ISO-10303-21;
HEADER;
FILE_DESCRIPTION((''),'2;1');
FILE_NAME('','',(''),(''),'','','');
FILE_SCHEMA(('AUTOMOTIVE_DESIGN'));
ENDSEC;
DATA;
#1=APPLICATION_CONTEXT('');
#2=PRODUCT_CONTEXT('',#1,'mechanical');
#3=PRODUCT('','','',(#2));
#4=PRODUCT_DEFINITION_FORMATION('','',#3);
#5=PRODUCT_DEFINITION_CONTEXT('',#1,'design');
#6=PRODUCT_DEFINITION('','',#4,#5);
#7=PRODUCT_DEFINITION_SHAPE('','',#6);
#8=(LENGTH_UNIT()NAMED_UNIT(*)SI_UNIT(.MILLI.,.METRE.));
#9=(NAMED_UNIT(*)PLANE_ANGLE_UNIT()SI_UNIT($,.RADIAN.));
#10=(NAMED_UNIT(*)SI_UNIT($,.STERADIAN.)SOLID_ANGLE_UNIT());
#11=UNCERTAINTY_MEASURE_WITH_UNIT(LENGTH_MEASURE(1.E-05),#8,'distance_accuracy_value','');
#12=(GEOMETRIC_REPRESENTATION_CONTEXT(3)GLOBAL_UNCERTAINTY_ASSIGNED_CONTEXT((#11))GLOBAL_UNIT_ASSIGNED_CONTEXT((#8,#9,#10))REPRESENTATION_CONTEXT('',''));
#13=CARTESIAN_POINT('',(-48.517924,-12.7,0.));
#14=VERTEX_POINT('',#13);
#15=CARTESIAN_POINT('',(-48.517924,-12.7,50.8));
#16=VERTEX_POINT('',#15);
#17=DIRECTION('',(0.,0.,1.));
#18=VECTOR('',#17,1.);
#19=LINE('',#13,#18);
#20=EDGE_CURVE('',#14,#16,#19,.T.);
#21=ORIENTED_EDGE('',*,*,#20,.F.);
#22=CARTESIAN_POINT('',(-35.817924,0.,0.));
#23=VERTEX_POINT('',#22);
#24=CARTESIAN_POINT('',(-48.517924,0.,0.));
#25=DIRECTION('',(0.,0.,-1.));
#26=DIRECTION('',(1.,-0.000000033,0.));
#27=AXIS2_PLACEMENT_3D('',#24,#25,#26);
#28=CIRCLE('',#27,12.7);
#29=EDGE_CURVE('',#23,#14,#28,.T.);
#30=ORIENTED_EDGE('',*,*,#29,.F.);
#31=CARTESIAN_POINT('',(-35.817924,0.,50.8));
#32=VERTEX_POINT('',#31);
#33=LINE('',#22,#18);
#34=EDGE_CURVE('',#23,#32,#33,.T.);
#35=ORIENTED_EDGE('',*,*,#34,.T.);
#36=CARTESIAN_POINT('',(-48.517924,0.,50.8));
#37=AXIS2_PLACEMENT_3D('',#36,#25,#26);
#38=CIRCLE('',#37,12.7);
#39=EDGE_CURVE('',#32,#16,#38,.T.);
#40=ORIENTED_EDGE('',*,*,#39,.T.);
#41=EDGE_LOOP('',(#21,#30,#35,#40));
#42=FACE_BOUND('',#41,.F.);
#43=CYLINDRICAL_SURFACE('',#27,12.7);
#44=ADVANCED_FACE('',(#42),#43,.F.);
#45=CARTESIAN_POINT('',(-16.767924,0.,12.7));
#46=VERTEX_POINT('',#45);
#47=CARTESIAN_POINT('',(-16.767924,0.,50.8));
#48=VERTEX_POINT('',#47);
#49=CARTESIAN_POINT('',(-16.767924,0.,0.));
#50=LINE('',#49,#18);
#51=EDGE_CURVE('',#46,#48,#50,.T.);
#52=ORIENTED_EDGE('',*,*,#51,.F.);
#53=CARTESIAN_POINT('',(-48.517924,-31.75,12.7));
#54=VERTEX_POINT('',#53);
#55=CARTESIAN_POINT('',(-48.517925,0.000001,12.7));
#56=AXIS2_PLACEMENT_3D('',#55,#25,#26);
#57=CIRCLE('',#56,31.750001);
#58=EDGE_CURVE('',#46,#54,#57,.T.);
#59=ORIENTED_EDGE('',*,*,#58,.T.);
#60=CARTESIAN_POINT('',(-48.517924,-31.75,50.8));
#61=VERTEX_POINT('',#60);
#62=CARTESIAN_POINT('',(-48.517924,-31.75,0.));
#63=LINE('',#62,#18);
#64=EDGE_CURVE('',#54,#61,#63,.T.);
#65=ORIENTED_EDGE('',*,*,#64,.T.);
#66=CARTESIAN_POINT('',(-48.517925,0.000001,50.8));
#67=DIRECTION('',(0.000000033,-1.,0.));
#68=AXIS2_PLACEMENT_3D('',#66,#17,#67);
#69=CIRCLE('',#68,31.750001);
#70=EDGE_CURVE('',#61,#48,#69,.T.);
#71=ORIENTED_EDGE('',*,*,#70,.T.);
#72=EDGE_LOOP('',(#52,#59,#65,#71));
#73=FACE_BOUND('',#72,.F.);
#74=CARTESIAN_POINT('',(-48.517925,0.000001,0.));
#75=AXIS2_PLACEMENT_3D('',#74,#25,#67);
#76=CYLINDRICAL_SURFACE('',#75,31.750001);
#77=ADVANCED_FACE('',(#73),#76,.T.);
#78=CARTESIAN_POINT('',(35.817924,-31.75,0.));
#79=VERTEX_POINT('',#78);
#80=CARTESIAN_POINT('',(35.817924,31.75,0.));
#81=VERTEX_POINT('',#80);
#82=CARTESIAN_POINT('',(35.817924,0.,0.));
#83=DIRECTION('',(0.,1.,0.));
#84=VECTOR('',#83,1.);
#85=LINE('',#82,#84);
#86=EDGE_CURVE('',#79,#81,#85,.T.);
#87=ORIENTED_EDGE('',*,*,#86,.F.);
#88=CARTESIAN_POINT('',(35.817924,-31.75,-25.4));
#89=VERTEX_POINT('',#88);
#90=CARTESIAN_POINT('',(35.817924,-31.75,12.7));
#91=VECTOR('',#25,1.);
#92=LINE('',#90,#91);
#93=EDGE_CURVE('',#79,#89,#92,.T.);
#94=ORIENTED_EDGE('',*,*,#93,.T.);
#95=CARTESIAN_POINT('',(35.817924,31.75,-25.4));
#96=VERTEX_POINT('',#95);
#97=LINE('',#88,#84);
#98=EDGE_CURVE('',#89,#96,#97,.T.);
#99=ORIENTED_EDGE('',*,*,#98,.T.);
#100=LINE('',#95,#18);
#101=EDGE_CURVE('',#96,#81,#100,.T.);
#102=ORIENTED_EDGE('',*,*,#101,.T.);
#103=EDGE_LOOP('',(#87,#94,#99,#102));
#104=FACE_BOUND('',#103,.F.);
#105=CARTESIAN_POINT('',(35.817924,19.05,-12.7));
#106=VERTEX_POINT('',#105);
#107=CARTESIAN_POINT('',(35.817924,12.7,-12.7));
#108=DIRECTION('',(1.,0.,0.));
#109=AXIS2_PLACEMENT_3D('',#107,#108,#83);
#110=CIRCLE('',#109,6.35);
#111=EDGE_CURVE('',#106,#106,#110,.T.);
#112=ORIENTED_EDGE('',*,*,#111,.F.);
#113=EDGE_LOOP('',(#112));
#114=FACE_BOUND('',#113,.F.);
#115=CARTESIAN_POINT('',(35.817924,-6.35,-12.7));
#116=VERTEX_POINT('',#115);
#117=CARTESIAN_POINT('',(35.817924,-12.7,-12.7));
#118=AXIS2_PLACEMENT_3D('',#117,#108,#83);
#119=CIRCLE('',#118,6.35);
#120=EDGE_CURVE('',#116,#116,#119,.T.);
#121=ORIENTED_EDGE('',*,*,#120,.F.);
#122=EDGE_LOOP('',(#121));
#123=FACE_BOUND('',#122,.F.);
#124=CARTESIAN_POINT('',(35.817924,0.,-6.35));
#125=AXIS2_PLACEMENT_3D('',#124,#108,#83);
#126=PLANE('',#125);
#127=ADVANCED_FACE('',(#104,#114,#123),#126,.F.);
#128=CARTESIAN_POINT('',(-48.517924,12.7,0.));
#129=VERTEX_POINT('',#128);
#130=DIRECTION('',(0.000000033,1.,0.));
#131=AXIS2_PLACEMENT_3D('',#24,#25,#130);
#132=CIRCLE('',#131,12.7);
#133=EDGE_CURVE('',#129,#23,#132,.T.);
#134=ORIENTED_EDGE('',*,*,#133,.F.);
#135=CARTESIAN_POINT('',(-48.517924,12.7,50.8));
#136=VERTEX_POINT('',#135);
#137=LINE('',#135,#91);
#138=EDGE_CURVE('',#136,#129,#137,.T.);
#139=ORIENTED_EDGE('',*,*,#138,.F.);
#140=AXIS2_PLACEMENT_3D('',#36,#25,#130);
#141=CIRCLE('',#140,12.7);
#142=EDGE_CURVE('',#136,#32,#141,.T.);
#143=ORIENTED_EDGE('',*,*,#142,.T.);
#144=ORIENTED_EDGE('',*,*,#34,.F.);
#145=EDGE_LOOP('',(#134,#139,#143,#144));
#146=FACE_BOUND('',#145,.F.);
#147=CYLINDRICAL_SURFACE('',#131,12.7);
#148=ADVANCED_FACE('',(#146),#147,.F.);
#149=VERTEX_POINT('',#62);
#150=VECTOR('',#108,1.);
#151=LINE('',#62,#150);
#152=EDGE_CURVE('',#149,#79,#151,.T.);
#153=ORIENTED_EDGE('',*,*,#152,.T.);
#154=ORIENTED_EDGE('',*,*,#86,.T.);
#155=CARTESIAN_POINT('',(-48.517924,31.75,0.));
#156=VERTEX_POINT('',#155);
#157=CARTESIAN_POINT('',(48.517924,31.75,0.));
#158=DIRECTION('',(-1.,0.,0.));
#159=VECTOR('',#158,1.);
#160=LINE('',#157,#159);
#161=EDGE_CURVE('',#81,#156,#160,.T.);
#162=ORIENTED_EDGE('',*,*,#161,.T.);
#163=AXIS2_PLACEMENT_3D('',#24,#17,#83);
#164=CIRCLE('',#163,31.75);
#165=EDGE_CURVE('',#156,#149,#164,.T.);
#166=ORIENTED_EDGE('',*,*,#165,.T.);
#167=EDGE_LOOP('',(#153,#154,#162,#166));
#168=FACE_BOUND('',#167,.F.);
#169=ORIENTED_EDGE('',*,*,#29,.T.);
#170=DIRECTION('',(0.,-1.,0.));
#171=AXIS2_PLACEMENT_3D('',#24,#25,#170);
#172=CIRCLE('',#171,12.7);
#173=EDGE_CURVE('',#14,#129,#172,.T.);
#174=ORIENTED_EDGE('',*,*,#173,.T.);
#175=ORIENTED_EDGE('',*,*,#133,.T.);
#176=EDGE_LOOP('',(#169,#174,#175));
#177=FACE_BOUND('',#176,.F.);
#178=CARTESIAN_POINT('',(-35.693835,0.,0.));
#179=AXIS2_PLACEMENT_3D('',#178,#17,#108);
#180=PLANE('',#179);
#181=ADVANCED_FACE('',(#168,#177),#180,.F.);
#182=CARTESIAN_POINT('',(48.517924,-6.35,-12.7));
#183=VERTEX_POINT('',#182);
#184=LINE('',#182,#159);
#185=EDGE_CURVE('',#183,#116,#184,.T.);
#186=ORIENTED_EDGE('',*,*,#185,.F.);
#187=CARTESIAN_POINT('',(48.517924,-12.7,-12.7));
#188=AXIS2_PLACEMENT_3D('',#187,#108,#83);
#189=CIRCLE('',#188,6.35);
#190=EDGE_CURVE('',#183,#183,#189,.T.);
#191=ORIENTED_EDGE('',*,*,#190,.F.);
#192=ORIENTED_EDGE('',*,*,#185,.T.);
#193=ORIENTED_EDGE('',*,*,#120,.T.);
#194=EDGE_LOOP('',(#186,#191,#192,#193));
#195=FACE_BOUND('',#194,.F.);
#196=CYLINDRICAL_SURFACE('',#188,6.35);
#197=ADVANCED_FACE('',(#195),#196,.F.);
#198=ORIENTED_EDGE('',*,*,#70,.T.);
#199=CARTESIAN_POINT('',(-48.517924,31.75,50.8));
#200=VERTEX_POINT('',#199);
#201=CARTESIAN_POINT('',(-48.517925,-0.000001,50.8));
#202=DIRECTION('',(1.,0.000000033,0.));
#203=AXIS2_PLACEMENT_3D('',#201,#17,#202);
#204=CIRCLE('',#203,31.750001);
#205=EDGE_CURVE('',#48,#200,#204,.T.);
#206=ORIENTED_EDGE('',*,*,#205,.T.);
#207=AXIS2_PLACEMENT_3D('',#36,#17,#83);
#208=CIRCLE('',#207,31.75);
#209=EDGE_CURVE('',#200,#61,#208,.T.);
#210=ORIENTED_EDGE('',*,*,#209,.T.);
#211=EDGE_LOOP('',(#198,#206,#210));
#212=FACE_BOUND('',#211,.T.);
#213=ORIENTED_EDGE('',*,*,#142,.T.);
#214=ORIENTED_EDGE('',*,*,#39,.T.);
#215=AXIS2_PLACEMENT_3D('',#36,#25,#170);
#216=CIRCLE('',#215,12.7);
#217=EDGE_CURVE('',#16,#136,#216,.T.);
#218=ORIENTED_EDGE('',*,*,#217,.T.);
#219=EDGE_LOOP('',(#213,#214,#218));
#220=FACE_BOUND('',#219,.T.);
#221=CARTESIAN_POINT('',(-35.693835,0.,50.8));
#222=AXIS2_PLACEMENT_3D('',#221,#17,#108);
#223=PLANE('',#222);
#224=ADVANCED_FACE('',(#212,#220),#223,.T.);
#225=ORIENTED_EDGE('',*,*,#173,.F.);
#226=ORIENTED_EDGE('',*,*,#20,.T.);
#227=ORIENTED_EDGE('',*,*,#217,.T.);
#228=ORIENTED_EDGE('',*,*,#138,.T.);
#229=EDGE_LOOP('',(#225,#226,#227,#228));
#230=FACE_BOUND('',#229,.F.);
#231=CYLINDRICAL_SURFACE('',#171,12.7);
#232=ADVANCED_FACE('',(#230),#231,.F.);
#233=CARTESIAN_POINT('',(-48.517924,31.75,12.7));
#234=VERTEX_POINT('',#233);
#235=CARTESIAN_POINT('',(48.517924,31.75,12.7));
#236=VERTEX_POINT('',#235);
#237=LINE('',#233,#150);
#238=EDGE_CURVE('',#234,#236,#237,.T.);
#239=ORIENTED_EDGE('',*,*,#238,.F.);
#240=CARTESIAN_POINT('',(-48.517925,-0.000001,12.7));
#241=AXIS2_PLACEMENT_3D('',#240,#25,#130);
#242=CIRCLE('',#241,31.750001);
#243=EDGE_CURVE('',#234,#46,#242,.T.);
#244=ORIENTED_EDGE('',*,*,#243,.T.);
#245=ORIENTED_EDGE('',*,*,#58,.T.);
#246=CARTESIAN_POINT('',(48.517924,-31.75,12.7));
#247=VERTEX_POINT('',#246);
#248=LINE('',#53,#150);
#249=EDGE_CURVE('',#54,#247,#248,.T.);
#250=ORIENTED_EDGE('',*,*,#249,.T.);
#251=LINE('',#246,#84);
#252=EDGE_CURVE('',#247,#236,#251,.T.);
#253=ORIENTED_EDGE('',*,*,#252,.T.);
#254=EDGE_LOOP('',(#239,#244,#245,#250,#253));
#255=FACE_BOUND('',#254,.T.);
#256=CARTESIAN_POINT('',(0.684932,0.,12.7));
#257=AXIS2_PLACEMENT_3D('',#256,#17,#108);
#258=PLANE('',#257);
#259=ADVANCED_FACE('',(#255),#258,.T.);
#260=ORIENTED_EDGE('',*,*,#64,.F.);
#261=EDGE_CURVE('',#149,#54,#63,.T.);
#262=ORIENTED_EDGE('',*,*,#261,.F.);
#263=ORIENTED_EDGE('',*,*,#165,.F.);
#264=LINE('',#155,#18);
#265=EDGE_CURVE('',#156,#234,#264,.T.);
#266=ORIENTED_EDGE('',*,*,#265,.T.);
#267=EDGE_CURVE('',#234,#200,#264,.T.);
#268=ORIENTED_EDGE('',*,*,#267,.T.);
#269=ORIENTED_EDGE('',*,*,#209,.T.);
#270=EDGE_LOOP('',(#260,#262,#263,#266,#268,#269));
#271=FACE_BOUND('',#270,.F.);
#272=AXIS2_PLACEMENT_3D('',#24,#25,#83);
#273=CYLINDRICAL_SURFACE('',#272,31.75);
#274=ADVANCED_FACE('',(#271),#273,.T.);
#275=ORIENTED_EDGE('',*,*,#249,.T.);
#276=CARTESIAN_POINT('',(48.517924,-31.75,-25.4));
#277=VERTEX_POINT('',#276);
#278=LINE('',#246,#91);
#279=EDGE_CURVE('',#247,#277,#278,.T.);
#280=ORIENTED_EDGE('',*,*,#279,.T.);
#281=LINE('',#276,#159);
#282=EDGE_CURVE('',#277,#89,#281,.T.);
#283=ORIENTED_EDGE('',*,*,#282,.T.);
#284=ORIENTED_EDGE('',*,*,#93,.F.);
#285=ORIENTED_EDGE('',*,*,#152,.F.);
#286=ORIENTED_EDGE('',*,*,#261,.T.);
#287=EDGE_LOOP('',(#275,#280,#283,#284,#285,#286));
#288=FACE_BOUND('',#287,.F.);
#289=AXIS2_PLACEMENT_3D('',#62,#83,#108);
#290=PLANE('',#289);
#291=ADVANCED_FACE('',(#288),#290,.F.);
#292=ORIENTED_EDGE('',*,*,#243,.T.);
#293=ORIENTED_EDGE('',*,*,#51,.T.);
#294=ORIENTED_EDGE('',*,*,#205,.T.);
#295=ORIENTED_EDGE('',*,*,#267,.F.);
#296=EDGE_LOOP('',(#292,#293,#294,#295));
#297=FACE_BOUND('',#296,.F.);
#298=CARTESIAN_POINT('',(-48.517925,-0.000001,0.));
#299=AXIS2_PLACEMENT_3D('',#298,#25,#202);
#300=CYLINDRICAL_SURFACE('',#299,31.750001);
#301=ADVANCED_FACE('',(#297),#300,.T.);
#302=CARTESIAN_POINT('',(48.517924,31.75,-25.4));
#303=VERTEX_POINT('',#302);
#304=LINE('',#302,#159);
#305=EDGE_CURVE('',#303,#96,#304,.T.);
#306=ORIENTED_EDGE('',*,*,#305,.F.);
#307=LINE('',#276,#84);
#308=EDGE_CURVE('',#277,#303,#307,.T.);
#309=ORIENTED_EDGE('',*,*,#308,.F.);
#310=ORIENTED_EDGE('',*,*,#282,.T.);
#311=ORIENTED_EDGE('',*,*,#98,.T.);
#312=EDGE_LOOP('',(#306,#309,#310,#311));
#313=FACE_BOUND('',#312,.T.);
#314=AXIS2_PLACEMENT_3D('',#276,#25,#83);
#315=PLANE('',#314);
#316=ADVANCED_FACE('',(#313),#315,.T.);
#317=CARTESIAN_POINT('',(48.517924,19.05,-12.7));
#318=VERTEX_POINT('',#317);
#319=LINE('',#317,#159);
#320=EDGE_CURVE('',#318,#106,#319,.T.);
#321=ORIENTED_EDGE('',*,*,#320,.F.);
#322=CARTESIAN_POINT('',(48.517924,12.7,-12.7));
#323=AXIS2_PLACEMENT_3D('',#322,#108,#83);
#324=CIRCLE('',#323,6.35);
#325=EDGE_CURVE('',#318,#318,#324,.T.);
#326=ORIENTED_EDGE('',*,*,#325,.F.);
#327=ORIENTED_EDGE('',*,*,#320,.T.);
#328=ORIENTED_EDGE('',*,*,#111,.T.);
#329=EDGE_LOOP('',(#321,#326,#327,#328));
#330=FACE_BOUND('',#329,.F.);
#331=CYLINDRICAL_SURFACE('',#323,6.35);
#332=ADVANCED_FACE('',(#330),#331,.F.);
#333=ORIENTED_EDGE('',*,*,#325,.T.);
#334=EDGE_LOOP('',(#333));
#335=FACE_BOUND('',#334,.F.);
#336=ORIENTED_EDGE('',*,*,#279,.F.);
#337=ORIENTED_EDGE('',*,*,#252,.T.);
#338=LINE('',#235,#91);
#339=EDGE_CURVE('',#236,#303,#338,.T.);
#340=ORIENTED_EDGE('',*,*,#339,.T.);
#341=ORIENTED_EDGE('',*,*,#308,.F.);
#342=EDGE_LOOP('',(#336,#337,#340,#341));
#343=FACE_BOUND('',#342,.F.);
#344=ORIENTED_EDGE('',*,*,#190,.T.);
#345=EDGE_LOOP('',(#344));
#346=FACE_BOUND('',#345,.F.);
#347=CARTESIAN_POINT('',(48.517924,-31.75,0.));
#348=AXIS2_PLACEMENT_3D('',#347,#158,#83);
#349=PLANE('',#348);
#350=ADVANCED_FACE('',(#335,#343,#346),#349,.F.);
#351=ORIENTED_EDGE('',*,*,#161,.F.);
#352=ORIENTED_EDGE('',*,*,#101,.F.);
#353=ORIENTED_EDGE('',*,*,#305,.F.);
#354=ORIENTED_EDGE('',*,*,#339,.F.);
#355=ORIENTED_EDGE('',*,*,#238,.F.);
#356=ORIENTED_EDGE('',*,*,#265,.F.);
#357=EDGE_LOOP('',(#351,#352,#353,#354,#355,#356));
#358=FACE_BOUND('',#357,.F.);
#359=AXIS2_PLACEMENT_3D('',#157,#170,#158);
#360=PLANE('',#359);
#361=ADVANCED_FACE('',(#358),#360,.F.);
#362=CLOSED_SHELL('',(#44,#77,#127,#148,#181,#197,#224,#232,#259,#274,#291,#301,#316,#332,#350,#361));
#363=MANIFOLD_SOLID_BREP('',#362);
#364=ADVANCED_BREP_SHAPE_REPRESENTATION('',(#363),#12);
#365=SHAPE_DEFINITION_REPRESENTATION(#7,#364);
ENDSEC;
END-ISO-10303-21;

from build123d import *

# Parameters (mm, degrees)
F1_DEPTH = 12.7
F2_DEPTH = 50.8
F3_R     = 6.35
F4_DEPTH = 12.7


with BuildPart() as f1:
    # F0 (on Top) → F1 (new body)
    with BuildSketch(Plane.XY):
        with BuildLine():
            Line((-48.517924, -31.75), (48.517924, -31.75))
            Line((48.517924, -31.75), (48.517924, 31.75))
            Line((48.517924, 31.75), (-48.517924, 31.75))
            ThreePointArc((-48.517924, 31.75), (-26.067284, 22.45064), (-16.767924, 0))
            ThreePointArc((-16.767924, 0), (-26.067284, -22.45064), (-48.517924, -31.75))
        make_face()
        with BuildLine():
            ThreePointArc((-48.517924, 31.75), (-80.267924, 0), (-48.517924, -31.75))
            Line((-48.517924, -31.75), (-48.517924, -12.7))
            ThreePointArc((-48.517924, -12.7), (-61.217924, 0), (-48.517924, 12.7))
            Line((-48.517924, 12.7), (-48.517924, 31.75))
        make_face()
    extrude(amount=F1_DEPTH)

    # F0 (on Top) → F2 (join)
    with BuildSketch(Plane.XY):
        with BuildLine():
            Line((-48.517924, -12.7), (-48.517924, -31.75))
            ThreePointArc((-48.517924, -31.75), (-26.067284, -22.45064), (-16.767924, 0))
            ThreePointArc((-16.767924, 0), (-26.067284, 22.45064), (-48.517924, 31.75))
            Line((-48.517924, 31.75), (-48.517924, 12.7))
            ThreePointArc((-48.517924, 12.7), (-39.537668, 8.980256), (-35.817924, 0))
            ThreePointArc((-35.817924, 0), (-39.537668, -8.980256), (-48.517924, -12.7))
        make_face()
        with BuildLine():
            ThreePointArc((-48.517924, 31.75), (-80.267924, 0), (-48.517924, -31.75))
            Line((-48.517924, -31.75), (-48.517924, -12.7))
            ThreePointArc((-48.517924, -12.7), (-61.217924, 0), (-48.517924, 12.7))
            Line((-48.517924, 12.7), (-48.517924, 31.75))
        make_face()
    extrude(amount=F2_DEPTH)

    # F3 (on face) → F4 (join)
    with BuildSketch(Plane.YZ.offset(48.517924)):
        Polygon((31.75, 12.7), (-31.75, 12.7), (-31.75, -25.4), (0, -25.4), (31.75, -25.4), align=None)
        with Locations((-12.7, -12.7)):
            Circle(F3_R, mode=Mode.SUBTRACT)
        with Locations((12.7, -12.7)):
            Circle(F3_R, mode=Mode.SUBTRACT)
    extrude(amount=-F4_DEPTH)


solid = f1.part
